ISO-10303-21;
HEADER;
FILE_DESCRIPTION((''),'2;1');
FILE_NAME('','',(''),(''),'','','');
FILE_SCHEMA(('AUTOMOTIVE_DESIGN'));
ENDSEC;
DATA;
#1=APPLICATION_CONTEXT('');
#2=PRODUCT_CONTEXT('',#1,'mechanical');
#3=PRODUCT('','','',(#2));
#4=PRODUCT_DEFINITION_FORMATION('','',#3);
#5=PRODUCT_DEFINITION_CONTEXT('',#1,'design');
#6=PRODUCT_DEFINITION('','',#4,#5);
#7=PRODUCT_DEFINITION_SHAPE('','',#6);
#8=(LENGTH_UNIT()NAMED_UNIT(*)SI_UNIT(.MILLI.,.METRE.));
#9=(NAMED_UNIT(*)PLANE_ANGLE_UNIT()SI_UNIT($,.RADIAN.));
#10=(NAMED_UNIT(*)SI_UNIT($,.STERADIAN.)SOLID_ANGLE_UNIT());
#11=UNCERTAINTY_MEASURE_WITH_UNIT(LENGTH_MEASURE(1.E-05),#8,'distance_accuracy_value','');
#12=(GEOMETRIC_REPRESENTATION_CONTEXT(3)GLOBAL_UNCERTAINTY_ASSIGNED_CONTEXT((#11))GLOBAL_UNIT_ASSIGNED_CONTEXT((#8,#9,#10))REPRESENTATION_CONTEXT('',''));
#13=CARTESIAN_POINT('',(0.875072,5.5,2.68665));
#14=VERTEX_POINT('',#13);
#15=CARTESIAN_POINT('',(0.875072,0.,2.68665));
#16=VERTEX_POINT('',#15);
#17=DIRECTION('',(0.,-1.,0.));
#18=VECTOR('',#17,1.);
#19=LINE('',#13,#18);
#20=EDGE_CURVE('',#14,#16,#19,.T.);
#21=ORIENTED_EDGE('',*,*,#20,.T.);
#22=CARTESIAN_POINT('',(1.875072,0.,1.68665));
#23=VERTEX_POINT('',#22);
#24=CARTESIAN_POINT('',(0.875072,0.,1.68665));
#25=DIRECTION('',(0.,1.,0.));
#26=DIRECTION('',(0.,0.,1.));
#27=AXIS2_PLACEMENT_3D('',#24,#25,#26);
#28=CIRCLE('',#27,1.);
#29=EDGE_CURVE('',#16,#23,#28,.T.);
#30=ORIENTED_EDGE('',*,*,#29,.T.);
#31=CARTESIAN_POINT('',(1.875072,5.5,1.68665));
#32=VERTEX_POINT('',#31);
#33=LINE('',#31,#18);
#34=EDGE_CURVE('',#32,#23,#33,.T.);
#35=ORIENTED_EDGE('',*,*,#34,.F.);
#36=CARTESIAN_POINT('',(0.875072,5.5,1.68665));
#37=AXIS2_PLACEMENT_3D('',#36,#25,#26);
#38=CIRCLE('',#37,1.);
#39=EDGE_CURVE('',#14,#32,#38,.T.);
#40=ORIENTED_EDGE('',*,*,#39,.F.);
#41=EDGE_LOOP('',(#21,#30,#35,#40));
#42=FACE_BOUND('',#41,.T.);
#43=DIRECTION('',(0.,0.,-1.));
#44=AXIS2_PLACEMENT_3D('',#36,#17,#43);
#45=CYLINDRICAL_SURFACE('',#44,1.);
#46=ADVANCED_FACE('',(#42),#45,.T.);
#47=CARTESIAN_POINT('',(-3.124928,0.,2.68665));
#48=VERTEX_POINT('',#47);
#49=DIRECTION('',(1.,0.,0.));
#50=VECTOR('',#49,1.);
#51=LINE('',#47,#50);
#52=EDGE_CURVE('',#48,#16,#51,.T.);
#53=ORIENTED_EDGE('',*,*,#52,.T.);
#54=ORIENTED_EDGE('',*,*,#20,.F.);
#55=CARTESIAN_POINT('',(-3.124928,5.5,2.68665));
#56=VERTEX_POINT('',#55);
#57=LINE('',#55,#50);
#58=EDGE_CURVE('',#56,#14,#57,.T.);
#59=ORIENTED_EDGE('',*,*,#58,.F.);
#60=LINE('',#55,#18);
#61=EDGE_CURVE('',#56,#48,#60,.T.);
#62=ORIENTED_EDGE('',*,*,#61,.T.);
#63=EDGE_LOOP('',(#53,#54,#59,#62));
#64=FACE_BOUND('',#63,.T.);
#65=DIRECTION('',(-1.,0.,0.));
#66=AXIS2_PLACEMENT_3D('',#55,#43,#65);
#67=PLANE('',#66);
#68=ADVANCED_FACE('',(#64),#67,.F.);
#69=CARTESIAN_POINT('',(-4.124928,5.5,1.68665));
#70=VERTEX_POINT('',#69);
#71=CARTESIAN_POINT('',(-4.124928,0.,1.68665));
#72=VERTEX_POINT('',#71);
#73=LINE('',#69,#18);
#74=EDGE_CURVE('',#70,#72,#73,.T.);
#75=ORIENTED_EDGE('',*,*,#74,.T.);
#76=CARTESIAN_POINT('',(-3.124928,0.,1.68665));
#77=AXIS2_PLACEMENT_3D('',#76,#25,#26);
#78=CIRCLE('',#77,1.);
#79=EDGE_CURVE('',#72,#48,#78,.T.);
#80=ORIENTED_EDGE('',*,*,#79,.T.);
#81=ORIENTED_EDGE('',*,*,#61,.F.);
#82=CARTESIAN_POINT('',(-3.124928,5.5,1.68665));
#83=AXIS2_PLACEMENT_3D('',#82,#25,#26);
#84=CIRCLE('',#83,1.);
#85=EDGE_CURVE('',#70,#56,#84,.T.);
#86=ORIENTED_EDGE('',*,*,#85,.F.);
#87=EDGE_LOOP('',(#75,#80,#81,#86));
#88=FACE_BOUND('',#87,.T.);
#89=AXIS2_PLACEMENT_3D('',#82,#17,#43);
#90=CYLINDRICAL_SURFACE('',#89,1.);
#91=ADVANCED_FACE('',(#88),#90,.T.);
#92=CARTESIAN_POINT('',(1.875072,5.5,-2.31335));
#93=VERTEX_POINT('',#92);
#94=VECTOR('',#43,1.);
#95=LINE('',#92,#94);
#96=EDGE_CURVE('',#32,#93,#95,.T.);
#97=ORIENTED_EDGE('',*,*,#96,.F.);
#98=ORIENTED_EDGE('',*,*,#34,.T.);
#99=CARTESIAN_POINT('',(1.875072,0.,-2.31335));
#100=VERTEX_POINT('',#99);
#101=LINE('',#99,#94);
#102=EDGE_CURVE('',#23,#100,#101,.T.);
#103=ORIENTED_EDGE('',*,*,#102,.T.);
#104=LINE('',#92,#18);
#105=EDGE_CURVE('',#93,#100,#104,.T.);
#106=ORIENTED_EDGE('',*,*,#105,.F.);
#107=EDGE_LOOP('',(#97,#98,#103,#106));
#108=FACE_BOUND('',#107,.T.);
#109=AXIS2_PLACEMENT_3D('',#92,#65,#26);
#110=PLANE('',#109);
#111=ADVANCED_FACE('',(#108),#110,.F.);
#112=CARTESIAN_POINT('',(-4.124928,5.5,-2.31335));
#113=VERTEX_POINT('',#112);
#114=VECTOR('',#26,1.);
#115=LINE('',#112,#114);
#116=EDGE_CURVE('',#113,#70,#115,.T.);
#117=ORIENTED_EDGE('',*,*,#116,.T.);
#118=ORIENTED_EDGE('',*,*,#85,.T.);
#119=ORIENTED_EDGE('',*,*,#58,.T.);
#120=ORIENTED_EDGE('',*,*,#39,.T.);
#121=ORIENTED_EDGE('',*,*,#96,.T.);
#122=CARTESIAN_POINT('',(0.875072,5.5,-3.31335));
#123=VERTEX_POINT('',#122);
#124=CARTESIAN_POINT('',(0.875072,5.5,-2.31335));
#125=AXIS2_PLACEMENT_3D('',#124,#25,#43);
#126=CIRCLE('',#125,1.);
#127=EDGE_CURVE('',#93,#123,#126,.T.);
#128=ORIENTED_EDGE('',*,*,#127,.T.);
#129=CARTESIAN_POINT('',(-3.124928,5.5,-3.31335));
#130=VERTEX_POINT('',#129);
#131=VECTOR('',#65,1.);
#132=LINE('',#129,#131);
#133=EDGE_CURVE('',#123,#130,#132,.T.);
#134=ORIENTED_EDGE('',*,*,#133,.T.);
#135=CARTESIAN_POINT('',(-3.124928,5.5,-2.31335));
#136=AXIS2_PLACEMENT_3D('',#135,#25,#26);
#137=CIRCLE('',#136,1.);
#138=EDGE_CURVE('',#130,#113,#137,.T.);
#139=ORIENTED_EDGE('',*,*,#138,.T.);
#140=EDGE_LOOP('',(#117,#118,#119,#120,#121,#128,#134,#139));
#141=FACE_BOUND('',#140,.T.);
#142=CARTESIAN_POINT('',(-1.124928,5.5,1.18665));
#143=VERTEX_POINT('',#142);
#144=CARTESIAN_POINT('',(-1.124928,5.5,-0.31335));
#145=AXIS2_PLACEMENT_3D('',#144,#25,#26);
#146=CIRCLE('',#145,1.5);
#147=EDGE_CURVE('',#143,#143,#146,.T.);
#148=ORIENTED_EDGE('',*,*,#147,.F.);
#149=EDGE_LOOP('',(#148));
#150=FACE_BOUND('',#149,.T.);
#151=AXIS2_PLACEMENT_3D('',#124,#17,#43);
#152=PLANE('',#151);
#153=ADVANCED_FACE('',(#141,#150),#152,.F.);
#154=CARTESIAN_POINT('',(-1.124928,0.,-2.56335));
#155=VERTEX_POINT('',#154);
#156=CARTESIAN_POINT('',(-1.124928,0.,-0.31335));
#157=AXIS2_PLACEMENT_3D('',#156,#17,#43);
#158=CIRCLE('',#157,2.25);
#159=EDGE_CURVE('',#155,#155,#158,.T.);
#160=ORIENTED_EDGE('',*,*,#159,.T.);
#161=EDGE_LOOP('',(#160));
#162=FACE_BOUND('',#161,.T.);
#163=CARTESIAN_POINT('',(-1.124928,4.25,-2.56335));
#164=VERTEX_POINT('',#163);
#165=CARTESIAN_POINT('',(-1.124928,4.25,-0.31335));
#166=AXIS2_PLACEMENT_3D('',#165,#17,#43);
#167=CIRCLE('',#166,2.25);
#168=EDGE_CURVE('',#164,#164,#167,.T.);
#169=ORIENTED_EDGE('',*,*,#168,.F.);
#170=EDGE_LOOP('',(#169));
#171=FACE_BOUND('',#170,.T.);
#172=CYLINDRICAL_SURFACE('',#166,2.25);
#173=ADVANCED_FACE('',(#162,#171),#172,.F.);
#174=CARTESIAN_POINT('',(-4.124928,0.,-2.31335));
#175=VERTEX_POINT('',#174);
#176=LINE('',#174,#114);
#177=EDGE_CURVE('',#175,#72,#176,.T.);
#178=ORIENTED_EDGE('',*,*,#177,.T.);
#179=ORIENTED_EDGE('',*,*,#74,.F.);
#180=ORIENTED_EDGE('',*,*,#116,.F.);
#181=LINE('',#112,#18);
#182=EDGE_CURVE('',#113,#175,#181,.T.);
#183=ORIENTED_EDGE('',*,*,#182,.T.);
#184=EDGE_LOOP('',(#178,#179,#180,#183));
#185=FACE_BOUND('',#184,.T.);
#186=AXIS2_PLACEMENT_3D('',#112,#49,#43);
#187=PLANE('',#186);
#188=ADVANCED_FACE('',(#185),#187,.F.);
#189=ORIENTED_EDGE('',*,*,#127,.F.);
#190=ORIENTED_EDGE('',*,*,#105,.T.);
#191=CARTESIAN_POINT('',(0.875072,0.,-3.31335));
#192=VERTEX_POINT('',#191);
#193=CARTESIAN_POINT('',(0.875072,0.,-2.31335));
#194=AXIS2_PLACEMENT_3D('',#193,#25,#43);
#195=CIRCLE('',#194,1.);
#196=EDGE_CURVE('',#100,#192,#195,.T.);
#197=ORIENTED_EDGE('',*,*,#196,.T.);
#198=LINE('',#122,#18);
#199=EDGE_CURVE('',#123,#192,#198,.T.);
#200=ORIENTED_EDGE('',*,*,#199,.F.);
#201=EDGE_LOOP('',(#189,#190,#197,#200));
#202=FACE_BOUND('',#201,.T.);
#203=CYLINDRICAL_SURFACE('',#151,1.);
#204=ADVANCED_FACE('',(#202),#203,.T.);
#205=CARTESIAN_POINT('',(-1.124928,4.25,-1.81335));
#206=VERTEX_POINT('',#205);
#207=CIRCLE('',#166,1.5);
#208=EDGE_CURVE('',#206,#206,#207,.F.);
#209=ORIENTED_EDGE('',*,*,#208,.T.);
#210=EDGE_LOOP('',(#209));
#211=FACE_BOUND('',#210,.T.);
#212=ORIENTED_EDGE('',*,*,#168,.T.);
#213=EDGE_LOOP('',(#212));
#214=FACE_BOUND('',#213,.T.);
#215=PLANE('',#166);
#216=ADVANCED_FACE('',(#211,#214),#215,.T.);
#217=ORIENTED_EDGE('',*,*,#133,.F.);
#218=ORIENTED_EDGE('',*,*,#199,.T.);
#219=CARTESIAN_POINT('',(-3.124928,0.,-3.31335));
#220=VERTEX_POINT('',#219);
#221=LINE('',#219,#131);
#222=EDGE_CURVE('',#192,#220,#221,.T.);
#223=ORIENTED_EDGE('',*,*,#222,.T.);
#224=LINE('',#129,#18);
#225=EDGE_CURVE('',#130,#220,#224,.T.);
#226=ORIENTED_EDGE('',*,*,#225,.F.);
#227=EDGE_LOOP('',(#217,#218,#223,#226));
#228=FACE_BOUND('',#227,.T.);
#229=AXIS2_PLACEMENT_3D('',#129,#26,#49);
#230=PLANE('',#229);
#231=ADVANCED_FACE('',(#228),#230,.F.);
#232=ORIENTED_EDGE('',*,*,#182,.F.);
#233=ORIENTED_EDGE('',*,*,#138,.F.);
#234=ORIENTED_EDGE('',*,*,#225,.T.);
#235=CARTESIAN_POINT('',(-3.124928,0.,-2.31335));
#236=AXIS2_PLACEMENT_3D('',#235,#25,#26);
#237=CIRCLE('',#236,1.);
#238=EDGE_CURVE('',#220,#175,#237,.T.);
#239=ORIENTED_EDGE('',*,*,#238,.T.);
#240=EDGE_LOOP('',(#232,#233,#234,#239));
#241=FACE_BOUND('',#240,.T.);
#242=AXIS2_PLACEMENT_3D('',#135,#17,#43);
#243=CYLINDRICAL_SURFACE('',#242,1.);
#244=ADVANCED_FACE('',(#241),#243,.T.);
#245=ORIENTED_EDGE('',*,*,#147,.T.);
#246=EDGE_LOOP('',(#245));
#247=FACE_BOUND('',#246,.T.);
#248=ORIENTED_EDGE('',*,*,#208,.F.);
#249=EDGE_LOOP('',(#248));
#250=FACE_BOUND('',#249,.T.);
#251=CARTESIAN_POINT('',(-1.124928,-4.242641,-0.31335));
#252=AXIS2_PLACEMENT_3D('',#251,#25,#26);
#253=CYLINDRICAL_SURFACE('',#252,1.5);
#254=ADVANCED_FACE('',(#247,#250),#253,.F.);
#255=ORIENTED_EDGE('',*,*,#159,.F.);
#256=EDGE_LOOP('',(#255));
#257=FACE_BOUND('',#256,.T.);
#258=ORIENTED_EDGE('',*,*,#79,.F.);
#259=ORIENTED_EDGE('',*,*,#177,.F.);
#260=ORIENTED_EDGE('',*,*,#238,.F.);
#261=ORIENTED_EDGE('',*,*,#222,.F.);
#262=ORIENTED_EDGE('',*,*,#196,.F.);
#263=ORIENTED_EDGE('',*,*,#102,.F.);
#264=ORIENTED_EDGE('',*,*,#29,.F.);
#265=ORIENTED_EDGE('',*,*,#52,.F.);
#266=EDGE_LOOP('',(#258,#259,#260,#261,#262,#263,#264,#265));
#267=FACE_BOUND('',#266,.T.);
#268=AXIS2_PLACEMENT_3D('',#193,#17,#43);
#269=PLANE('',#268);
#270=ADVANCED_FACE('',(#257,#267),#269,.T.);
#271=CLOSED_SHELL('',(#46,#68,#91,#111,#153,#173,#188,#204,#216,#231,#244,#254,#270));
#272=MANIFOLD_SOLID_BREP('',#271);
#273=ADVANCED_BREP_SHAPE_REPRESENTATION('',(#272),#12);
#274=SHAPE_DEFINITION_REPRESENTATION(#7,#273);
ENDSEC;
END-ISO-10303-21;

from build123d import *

# Parameters (mm, degrees)
BOSS_EXTRUDE1_DEPTH = 5.5
SKETCH2_R           = 1.5
CUT_EXTRUDE1_DEPTH  = 5.5
SKETCH3_R           = 2.25
CUT_EXTRUDE2_DEPTH  = 4.25


with BuildPart() as part:
    # Sketch1 → Boss-Extrude1 (new body)
    with BuildSketch(Plane(origin=(0, 0, 0), x_dir=(1, 0, 0), z_dir=(0, 1, 0))):
        with BuildLine():
            Line((-3.124927795, 3.313350367), (0.875072205, 3.313350367))
            ThreePointArc((0.875072205, 3.313350367), (1.582178986, 3.020457148), (1.875072205, 2.313350367))
            Line((1.875072205, 2.313350367), (1.875072205, -1.686649633))
            ThreePointArc((1.875072205, -1.686649633), (1.582178986, -2.393756414), (0.875072205, -2.686649633))
            Line((0.875072205, -2.686649633), (-3.124927795, -2.686649633))
            ThreePointArc((-3.124927795, -2.686649633), (-3.832034576, -2.393756414), (-4.124927795, -1.686649633))
            Line((-4.124927795, -1.686649633), (-4.124927795, 2.313350367))
            ThreePointArc((-4.124927795, 2.313350367), (-3.832034576, 3.020457148), (-3.124927795, 3.313350367))
        make_face()
    extrude(amount=BOSS_EXTRUDE1_DEPTH)

    # Sketch2 → Cut-Extrude1 (cut)
    with BuildSketch(Plane(origin=(0, 5.5, 0), x_dir=(1, 0, 0), z_dir=(0, 1, 0))):
        with Locations(Location((-1.124927795, 0.313350367, 0), (0, 0, 270))):
            Circle(SKETCH2_R)
    extrude(amount=-CUT_EXTRUDE1_DEPTH, mode=Mode.SUBTRACT)

    # Sketch3 → Cut-Extrude2 (cut)
    with BuildSketch(Plane.XZ):
        with Locations(Location((-1.124927795, -0.313350367, 0), (0, 0, 270))):
            Circle(SKETCH3_R)
    extrude(amount=-CUT_EXTRUDE2_DEPTH, mode=Mode.SUBTRACT)


solid = part.part
